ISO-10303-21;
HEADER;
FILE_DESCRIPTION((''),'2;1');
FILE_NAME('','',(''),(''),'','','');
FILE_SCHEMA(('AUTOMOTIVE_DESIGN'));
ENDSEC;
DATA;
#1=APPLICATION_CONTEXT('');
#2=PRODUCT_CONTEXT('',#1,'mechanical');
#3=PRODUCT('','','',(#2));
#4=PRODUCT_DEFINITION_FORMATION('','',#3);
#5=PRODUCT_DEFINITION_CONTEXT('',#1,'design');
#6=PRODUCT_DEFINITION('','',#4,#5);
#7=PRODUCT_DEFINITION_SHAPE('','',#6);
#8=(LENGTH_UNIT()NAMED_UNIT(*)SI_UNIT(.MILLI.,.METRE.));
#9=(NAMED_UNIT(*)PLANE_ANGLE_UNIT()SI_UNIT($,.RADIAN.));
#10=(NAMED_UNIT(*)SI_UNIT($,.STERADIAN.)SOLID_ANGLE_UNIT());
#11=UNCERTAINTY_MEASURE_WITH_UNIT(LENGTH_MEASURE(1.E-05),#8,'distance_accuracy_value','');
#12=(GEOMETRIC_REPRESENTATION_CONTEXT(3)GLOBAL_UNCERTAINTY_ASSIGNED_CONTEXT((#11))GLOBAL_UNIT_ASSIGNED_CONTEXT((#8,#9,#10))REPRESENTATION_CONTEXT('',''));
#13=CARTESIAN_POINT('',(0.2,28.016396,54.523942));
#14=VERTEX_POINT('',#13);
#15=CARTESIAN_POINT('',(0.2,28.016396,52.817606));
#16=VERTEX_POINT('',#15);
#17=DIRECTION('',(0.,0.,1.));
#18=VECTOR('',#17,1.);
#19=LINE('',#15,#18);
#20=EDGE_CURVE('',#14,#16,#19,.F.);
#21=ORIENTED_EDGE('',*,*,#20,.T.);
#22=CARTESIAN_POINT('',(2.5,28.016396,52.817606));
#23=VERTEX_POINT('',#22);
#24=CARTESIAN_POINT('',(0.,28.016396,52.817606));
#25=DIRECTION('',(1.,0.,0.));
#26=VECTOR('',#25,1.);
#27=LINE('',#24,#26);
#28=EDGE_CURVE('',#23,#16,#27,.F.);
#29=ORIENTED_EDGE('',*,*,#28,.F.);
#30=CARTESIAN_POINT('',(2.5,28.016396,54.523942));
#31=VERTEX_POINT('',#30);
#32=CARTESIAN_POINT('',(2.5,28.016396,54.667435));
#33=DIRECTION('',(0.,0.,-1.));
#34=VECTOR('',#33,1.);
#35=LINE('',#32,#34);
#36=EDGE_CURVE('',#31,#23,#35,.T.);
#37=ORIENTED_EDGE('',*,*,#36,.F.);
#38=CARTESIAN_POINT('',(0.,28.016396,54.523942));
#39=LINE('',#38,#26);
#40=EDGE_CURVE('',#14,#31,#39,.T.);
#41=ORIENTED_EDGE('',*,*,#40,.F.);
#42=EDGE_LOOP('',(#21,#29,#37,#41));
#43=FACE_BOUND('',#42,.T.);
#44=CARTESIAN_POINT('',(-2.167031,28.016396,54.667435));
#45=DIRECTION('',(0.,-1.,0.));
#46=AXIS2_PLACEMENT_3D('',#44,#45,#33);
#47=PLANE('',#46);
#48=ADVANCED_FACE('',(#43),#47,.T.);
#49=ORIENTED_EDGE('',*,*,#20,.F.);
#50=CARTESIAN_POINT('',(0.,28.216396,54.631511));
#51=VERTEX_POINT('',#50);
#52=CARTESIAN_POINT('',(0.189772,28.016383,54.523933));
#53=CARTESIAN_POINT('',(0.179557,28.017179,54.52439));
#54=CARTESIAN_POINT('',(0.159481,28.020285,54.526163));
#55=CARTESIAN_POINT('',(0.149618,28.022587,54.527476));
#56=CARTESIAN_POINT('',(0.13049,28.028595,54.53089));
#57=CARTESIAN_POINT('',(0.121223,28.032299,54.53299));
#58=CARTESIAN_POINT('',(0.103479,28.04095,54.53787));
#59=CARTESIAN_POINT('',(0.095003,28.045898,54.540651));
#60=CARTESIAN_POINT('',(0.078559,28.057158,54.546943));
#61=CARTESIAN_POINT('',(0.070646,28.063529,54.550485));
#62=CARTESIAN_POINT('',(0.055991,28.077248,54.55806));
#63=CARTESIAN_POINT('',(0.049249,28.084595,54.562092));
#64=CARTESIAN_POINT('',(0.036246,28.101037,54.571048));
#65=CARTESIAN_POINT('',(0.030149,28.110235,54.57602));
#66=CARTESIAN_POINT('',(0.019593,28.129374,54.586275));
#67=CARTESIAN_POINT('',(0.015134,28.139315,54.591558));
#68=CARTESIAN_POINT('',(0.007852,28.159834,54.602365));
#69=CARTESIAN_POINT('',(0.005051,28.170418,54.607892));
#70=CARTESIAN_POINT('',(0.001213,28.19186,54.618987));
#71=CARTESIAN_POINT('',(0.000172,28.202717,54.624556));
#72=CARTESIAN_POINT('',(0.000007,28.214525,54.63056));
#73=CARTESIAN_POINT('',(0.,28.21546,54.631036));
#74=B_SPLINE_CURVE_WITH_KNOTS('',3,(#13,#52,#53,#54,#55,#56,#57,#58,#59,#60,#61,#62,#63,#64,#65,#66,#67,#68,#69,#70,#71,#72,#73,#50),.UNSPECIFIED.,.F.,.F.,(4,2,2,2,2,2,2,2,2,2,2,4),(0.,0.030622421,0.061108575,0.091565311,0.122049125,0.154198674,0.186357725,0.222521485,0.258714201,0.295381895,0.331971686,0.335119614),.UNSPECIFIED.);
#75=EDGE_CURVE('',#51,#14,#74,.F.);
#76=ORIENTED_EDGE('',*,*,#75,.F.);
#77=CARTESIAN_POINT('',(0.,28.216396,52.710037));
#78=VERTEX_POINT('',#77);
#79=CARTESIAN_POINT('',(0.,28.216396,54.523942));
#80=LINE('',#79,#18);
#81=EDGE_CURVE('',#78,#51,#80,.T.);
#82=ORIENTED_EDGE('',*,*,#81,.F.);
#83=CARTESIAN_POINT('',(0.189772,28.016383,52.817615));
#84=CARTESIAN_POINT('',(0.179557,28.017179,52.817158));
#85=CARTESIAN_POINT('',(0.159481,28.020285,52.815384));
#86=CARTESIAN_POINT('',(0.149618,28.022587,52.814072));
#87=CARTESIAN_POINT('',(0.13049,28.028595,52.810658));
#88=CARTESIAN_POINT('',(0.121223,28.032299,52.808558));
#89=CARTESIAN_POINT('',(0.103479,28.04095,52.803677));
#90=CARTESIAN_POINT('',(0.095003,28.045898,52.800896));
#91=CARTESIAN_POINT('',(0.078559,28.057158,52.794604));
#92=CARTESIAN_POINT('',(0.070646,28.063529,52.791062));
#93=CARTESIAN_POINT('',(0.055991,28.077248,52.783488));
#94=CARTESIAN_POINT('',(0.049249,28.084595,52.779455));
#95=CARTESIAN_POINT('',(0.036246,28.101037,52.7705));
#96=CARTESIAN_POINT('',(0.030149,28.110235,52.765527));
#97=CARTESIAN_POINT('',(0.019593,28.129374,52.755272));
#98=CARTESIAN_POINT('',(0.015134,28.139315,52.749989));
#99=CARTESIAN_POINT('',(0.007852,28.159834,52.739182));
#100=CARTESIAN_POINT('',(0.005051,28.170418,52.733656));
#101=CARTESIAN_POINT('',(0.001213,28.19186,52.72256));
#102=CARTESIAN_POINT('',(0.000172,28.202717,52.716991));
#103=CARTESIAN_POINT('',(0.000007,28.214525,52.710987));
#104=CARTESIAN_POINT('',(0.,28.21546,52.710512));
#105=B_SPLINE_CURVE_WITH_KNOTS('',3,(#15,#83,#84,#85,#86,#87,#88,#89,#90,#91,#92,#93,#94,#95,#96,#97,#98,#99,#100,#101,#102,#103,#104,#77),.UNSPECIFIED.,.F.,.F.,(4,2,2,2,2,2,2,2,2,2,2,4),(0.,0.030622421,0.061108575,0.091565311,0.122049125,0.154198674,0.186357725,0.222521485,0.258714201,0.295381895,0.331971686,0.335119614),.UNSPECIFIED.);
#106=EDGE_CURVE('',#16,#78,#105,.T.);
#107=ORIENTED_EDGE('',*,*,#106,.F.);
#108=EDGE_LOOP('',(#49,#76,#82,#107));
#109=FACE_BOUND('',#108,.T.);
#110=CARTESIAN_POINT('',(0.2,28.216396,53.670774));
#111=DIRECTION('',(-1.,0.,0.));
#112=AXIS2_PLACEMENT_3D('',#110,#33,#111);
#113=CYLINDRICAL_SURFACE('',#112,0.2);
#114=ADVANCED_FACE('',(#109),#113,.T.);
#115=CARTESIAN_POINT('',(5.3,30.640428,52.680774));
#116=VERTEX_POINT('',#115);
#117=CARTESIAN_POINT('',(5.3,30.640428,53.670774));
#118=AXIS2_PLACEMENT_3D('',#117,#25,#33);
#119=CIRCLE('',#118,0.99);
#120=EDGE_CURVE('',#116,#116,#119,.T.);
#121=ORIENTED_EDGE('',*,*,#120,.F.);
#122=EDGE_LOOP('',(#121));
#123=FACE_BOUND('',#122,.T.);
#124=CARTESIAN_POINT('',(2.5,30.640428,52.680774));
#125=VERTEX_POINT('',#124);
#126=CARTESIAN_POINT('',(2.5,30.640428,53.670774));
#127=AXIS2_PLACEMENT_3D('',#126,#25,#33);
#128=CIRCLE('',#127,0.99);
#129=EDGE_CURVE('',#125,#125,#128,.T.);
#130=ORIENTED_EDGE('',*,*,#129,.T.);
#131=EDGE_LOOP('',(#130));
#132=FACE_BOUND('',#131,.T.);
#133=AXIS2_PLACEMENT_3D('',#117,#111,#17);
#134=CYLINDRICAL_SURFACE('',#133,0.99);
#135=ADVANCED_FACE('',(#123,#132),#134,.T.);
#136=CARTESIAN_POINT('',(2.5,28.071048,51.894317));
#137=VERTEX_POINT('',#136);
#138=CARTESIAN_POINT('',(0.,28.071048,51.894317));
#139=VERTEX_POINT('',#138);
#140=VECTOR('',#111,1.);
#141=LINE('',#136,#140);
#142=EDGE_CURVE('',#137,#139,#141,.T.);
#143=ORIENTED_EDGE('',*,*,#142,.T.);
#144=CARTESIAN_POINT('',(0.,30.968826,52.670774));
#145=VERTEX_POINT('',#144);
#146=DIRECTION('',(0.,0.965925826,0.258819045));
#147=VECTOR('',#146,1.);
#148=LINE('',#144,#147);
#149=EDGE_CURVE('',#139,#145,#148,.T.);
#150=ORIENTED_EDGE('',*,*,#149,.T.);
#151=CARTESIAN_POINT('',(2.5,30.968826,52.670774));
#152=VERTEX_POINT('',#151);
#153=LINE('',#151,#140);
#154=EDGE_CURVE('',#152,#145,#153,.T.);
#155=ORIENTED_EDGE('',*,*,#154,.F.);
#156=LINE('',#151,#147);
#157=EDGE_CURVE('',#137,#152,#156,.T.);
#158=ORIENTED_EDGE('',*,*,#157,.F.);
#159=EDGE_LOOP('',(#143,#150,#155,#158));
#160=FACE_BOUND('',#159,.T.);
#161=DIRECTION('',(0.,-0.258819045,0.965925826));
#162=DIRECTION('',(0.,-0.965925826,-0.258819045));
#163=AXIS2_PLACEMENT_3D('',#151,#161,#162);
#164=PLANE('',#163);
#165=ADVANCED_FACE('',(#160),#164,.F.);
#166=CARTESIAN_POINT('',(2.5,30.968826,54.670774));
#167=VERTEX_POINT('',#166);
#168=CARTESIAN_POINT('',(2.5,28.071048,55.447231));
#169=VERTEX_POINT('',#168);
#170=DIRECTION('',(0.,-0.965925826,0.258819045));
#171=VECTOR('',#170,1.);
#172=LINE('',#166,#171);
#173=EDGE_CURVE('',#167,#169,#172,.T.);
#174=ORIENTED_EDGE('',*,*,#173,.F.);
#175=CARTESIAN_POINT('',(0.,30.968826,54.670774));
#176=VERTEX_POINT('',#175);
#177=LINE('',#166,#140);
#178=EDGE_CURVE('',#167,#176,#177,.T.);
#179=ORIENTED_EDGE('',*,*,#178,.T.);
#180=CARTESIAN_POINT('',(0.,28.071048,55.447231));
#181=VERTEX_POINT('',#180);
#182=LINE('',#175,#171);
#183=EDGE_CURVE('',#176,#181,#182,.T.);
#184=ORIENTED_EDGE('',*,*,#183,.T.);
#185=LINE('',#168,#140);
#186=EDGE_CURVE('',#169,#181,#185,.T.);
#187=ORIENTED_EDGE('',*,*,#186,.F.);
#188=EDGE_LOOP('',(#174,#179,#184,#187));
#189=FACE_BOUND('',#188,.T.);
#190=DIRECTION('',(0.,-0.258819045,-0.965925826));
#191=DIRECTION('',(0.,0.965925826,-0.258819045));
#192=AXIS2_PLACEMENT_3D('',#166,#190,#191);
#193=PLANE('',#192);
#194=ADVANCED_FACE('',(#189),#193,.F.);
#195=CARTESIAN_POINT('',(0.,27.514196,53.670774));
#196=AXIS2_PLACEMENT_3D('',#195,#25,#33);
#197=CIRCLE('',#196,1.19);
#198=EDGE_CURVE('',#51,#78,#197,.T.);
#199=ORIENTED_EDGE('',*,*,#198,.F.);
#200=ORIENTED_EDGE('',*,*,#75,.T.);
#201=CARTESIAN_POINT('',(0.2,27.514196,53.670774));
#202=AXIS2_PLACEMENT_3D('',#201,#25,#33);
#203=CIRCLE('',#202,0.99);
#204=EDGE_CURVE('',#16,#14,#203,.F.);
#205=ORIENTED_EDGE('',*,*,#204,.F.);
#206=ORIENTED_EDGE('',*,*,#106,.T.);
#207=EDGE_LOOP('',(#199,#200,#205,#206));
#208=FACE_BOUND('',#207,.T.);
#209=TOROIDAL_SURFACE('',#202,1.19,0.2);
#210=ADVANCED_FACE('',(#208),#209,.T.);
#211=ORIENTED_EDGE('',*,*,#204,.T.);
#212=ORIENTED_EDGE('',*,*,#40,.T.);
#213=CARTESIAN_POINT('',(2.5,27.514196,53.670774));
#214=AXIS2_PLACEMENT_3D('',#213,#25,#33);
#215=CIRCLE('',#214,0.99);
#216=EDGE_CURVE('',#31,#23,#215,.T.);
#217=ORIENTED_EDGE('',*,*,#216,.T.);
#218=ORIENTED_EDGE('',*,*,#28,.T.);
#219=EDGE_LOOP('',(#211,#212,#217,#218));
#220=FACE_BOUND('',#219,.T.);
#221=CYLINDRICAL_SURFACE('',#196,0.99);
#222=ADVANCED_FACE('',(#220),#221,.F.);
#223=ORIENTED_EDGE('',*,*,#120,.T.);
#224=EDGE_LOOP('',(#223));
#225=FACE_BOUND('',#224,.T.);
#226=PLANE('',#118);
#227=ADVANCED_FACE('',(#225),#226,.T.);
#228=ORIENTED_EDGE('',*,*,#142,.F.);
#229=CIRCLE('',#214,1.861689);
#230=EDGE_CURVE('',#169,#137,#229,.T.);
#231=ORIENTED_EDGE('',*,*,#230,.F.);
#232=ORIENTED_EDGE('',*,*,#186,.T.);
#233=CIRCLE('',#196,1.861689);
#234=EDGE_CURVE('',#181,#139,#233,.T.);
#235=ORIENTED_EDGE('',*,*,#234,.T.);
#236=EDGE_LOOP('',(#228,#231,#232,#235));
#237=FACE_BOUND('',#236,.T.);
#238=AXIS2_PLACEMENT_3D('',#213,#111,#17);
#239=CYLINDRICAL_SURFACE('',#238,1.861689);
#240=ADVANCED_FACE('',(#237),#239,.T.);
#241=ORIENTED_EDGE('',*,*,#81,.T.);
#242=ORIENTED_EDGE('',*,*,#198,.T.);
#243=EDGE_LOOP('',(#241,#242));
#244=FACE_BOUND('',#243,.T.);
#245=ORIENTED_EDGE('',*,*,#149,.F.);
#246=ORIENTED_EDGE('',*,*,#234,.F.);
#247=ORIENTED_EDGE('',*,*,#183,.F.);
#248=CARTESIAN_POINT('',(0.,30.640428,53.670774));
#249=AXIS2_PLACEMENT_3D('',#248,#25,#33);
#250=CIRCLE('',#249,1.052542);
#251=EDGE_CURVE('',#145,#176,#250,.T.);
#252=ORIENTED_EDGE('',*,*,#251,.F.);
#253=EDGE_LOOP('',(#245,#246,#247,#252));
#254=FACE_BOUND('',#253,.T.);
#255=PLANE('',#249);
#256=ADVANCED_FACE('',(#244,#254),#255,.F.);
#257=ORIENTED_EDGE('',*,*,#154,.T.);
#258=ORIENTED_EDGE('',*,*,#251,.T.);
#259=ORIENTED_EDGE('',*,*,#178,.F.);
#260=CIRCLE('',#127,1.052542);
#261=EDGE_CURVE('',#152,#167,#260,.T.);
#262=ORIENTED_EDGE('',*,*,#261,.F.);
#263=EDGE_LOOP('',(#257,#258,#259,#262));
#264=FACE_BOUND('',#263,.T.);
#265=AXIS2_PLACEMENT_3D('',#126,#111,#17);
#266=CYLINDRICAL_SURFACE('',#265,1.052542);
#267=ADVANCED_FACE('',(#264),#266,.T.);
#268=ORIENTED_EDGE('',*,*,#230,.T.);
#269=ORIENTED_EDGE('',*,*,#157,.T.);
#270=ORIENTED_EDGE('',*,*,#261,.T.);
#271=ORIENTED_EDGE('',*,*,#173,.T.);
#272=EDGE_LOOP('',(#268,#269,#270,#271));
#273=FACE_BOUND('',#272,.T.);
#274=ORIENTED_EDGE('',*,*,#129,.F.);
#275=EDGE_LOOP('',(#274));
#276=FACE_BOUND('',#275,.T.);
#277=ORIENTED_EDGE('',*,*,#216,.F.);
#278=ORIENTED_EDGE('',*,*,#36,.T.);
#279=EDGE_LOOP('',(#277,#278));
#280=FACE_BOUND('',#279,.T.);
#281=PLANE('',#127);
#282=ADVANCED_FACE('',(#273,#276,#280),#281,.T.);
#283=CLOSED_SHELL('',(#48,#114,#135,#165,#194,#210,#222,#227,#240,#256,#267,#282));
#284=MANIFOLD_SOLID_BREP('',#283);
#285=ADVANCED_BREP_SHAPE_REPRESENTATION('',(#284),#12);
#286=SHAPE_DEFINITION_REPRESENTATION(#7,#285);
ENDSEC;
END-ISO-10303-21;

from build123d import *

# Parameters (mm, degrees)
BOSS_EXTRUDE2_DEPTH = 2.5
SKETCH4_R           = 0.99
CUT_EXTRUDE2_DEPTH  = 64.988660757
SKETCH6_R           = 0.99
BOSS_EXTRUDE4_DEPTH = 2.8
SKETCH7_W           = 2.01987101
SKETCH7_H           = 0.78494751
BOSS_EXTRUDE5_DEPTH = 2.5
FILLET1_R           = 0.2


with BuildPart() as part:
    # Sketch3 → Boss-Extrude2 (new body)
    with BuildSketch(Plane(origin=(0, 0, 0), x_dir=(0, 0, -1), z_dir=(1, 0, 0))):
        with BuildLine():
            Line((-54.67077374, 30.968825597), (-55.447230875, 28.071048118))
            ThreePointArc((-55.447230875, 28.071048118), (-53.67077374, 25.652507451), (-51.894316605, 28.071048118))
            Line((-51.894316605, 28.071048118), (-52.67077374, 30.968825597))
            ThreePointArc((-52.67077374, 30.968825597), (-53.67077374, 31.692969852), (-54.67077374, 30.968825597))
        make_face()
    extrude(amount=BOSS_EXTRUDE2_DEPTH)

    # Sketch4 → Cut-Extrude2 (cut, through all)
    with BuildSketch(Plane(origin=(2.5, 0, 0), x_dir=(0, 0, -1), z_dir=(1, 0, 0))):
        with Locations((-53.67077374, 27.514195996)):
            Circle(SKETCH4_R)
    extrude(amount=-CUT_EXTRUDE2_DEPTH, mode=Mode.SUBTRACT)

    # Sketch6 → Boss-Extrude4 (add)
    with BuildSketch(Plane(origin=(2.5, 0, 0), x_dir=(0, 0, -1), z_dir=(1, 0, 0))):
        with Locations((-53.67077374, 30.640427563)):
            Circle(SKETCH6_R)
    extrude(amount=BOSS_EXTRUDE4_DEPTH)

    # Sketch7 → Boss-Extrude5 (add)
    with BuildSketch(Plane(origin=(2.5, 0, 0), x_dir=(0, 0, -1), z_dir=(1, 0, 0))):
        with Locations((-53.657499813, 28.408869671)):
            Rectangle(SKETCH7_W, SKETCH7_H)
    extrude(amount=-BOSS_EXTRUDE5_DEPTH)

    # Fillet1
    fillet1_edges = [part.edges().sort_by_distance(p)[0] for p in [
        (0, 26.524195996, 53.67077374),
        (0, 28.016395916, 53.67077374),
    ]]
    fillet(fillet1_edges, radius=FILLET1_R)


solid = part.part
